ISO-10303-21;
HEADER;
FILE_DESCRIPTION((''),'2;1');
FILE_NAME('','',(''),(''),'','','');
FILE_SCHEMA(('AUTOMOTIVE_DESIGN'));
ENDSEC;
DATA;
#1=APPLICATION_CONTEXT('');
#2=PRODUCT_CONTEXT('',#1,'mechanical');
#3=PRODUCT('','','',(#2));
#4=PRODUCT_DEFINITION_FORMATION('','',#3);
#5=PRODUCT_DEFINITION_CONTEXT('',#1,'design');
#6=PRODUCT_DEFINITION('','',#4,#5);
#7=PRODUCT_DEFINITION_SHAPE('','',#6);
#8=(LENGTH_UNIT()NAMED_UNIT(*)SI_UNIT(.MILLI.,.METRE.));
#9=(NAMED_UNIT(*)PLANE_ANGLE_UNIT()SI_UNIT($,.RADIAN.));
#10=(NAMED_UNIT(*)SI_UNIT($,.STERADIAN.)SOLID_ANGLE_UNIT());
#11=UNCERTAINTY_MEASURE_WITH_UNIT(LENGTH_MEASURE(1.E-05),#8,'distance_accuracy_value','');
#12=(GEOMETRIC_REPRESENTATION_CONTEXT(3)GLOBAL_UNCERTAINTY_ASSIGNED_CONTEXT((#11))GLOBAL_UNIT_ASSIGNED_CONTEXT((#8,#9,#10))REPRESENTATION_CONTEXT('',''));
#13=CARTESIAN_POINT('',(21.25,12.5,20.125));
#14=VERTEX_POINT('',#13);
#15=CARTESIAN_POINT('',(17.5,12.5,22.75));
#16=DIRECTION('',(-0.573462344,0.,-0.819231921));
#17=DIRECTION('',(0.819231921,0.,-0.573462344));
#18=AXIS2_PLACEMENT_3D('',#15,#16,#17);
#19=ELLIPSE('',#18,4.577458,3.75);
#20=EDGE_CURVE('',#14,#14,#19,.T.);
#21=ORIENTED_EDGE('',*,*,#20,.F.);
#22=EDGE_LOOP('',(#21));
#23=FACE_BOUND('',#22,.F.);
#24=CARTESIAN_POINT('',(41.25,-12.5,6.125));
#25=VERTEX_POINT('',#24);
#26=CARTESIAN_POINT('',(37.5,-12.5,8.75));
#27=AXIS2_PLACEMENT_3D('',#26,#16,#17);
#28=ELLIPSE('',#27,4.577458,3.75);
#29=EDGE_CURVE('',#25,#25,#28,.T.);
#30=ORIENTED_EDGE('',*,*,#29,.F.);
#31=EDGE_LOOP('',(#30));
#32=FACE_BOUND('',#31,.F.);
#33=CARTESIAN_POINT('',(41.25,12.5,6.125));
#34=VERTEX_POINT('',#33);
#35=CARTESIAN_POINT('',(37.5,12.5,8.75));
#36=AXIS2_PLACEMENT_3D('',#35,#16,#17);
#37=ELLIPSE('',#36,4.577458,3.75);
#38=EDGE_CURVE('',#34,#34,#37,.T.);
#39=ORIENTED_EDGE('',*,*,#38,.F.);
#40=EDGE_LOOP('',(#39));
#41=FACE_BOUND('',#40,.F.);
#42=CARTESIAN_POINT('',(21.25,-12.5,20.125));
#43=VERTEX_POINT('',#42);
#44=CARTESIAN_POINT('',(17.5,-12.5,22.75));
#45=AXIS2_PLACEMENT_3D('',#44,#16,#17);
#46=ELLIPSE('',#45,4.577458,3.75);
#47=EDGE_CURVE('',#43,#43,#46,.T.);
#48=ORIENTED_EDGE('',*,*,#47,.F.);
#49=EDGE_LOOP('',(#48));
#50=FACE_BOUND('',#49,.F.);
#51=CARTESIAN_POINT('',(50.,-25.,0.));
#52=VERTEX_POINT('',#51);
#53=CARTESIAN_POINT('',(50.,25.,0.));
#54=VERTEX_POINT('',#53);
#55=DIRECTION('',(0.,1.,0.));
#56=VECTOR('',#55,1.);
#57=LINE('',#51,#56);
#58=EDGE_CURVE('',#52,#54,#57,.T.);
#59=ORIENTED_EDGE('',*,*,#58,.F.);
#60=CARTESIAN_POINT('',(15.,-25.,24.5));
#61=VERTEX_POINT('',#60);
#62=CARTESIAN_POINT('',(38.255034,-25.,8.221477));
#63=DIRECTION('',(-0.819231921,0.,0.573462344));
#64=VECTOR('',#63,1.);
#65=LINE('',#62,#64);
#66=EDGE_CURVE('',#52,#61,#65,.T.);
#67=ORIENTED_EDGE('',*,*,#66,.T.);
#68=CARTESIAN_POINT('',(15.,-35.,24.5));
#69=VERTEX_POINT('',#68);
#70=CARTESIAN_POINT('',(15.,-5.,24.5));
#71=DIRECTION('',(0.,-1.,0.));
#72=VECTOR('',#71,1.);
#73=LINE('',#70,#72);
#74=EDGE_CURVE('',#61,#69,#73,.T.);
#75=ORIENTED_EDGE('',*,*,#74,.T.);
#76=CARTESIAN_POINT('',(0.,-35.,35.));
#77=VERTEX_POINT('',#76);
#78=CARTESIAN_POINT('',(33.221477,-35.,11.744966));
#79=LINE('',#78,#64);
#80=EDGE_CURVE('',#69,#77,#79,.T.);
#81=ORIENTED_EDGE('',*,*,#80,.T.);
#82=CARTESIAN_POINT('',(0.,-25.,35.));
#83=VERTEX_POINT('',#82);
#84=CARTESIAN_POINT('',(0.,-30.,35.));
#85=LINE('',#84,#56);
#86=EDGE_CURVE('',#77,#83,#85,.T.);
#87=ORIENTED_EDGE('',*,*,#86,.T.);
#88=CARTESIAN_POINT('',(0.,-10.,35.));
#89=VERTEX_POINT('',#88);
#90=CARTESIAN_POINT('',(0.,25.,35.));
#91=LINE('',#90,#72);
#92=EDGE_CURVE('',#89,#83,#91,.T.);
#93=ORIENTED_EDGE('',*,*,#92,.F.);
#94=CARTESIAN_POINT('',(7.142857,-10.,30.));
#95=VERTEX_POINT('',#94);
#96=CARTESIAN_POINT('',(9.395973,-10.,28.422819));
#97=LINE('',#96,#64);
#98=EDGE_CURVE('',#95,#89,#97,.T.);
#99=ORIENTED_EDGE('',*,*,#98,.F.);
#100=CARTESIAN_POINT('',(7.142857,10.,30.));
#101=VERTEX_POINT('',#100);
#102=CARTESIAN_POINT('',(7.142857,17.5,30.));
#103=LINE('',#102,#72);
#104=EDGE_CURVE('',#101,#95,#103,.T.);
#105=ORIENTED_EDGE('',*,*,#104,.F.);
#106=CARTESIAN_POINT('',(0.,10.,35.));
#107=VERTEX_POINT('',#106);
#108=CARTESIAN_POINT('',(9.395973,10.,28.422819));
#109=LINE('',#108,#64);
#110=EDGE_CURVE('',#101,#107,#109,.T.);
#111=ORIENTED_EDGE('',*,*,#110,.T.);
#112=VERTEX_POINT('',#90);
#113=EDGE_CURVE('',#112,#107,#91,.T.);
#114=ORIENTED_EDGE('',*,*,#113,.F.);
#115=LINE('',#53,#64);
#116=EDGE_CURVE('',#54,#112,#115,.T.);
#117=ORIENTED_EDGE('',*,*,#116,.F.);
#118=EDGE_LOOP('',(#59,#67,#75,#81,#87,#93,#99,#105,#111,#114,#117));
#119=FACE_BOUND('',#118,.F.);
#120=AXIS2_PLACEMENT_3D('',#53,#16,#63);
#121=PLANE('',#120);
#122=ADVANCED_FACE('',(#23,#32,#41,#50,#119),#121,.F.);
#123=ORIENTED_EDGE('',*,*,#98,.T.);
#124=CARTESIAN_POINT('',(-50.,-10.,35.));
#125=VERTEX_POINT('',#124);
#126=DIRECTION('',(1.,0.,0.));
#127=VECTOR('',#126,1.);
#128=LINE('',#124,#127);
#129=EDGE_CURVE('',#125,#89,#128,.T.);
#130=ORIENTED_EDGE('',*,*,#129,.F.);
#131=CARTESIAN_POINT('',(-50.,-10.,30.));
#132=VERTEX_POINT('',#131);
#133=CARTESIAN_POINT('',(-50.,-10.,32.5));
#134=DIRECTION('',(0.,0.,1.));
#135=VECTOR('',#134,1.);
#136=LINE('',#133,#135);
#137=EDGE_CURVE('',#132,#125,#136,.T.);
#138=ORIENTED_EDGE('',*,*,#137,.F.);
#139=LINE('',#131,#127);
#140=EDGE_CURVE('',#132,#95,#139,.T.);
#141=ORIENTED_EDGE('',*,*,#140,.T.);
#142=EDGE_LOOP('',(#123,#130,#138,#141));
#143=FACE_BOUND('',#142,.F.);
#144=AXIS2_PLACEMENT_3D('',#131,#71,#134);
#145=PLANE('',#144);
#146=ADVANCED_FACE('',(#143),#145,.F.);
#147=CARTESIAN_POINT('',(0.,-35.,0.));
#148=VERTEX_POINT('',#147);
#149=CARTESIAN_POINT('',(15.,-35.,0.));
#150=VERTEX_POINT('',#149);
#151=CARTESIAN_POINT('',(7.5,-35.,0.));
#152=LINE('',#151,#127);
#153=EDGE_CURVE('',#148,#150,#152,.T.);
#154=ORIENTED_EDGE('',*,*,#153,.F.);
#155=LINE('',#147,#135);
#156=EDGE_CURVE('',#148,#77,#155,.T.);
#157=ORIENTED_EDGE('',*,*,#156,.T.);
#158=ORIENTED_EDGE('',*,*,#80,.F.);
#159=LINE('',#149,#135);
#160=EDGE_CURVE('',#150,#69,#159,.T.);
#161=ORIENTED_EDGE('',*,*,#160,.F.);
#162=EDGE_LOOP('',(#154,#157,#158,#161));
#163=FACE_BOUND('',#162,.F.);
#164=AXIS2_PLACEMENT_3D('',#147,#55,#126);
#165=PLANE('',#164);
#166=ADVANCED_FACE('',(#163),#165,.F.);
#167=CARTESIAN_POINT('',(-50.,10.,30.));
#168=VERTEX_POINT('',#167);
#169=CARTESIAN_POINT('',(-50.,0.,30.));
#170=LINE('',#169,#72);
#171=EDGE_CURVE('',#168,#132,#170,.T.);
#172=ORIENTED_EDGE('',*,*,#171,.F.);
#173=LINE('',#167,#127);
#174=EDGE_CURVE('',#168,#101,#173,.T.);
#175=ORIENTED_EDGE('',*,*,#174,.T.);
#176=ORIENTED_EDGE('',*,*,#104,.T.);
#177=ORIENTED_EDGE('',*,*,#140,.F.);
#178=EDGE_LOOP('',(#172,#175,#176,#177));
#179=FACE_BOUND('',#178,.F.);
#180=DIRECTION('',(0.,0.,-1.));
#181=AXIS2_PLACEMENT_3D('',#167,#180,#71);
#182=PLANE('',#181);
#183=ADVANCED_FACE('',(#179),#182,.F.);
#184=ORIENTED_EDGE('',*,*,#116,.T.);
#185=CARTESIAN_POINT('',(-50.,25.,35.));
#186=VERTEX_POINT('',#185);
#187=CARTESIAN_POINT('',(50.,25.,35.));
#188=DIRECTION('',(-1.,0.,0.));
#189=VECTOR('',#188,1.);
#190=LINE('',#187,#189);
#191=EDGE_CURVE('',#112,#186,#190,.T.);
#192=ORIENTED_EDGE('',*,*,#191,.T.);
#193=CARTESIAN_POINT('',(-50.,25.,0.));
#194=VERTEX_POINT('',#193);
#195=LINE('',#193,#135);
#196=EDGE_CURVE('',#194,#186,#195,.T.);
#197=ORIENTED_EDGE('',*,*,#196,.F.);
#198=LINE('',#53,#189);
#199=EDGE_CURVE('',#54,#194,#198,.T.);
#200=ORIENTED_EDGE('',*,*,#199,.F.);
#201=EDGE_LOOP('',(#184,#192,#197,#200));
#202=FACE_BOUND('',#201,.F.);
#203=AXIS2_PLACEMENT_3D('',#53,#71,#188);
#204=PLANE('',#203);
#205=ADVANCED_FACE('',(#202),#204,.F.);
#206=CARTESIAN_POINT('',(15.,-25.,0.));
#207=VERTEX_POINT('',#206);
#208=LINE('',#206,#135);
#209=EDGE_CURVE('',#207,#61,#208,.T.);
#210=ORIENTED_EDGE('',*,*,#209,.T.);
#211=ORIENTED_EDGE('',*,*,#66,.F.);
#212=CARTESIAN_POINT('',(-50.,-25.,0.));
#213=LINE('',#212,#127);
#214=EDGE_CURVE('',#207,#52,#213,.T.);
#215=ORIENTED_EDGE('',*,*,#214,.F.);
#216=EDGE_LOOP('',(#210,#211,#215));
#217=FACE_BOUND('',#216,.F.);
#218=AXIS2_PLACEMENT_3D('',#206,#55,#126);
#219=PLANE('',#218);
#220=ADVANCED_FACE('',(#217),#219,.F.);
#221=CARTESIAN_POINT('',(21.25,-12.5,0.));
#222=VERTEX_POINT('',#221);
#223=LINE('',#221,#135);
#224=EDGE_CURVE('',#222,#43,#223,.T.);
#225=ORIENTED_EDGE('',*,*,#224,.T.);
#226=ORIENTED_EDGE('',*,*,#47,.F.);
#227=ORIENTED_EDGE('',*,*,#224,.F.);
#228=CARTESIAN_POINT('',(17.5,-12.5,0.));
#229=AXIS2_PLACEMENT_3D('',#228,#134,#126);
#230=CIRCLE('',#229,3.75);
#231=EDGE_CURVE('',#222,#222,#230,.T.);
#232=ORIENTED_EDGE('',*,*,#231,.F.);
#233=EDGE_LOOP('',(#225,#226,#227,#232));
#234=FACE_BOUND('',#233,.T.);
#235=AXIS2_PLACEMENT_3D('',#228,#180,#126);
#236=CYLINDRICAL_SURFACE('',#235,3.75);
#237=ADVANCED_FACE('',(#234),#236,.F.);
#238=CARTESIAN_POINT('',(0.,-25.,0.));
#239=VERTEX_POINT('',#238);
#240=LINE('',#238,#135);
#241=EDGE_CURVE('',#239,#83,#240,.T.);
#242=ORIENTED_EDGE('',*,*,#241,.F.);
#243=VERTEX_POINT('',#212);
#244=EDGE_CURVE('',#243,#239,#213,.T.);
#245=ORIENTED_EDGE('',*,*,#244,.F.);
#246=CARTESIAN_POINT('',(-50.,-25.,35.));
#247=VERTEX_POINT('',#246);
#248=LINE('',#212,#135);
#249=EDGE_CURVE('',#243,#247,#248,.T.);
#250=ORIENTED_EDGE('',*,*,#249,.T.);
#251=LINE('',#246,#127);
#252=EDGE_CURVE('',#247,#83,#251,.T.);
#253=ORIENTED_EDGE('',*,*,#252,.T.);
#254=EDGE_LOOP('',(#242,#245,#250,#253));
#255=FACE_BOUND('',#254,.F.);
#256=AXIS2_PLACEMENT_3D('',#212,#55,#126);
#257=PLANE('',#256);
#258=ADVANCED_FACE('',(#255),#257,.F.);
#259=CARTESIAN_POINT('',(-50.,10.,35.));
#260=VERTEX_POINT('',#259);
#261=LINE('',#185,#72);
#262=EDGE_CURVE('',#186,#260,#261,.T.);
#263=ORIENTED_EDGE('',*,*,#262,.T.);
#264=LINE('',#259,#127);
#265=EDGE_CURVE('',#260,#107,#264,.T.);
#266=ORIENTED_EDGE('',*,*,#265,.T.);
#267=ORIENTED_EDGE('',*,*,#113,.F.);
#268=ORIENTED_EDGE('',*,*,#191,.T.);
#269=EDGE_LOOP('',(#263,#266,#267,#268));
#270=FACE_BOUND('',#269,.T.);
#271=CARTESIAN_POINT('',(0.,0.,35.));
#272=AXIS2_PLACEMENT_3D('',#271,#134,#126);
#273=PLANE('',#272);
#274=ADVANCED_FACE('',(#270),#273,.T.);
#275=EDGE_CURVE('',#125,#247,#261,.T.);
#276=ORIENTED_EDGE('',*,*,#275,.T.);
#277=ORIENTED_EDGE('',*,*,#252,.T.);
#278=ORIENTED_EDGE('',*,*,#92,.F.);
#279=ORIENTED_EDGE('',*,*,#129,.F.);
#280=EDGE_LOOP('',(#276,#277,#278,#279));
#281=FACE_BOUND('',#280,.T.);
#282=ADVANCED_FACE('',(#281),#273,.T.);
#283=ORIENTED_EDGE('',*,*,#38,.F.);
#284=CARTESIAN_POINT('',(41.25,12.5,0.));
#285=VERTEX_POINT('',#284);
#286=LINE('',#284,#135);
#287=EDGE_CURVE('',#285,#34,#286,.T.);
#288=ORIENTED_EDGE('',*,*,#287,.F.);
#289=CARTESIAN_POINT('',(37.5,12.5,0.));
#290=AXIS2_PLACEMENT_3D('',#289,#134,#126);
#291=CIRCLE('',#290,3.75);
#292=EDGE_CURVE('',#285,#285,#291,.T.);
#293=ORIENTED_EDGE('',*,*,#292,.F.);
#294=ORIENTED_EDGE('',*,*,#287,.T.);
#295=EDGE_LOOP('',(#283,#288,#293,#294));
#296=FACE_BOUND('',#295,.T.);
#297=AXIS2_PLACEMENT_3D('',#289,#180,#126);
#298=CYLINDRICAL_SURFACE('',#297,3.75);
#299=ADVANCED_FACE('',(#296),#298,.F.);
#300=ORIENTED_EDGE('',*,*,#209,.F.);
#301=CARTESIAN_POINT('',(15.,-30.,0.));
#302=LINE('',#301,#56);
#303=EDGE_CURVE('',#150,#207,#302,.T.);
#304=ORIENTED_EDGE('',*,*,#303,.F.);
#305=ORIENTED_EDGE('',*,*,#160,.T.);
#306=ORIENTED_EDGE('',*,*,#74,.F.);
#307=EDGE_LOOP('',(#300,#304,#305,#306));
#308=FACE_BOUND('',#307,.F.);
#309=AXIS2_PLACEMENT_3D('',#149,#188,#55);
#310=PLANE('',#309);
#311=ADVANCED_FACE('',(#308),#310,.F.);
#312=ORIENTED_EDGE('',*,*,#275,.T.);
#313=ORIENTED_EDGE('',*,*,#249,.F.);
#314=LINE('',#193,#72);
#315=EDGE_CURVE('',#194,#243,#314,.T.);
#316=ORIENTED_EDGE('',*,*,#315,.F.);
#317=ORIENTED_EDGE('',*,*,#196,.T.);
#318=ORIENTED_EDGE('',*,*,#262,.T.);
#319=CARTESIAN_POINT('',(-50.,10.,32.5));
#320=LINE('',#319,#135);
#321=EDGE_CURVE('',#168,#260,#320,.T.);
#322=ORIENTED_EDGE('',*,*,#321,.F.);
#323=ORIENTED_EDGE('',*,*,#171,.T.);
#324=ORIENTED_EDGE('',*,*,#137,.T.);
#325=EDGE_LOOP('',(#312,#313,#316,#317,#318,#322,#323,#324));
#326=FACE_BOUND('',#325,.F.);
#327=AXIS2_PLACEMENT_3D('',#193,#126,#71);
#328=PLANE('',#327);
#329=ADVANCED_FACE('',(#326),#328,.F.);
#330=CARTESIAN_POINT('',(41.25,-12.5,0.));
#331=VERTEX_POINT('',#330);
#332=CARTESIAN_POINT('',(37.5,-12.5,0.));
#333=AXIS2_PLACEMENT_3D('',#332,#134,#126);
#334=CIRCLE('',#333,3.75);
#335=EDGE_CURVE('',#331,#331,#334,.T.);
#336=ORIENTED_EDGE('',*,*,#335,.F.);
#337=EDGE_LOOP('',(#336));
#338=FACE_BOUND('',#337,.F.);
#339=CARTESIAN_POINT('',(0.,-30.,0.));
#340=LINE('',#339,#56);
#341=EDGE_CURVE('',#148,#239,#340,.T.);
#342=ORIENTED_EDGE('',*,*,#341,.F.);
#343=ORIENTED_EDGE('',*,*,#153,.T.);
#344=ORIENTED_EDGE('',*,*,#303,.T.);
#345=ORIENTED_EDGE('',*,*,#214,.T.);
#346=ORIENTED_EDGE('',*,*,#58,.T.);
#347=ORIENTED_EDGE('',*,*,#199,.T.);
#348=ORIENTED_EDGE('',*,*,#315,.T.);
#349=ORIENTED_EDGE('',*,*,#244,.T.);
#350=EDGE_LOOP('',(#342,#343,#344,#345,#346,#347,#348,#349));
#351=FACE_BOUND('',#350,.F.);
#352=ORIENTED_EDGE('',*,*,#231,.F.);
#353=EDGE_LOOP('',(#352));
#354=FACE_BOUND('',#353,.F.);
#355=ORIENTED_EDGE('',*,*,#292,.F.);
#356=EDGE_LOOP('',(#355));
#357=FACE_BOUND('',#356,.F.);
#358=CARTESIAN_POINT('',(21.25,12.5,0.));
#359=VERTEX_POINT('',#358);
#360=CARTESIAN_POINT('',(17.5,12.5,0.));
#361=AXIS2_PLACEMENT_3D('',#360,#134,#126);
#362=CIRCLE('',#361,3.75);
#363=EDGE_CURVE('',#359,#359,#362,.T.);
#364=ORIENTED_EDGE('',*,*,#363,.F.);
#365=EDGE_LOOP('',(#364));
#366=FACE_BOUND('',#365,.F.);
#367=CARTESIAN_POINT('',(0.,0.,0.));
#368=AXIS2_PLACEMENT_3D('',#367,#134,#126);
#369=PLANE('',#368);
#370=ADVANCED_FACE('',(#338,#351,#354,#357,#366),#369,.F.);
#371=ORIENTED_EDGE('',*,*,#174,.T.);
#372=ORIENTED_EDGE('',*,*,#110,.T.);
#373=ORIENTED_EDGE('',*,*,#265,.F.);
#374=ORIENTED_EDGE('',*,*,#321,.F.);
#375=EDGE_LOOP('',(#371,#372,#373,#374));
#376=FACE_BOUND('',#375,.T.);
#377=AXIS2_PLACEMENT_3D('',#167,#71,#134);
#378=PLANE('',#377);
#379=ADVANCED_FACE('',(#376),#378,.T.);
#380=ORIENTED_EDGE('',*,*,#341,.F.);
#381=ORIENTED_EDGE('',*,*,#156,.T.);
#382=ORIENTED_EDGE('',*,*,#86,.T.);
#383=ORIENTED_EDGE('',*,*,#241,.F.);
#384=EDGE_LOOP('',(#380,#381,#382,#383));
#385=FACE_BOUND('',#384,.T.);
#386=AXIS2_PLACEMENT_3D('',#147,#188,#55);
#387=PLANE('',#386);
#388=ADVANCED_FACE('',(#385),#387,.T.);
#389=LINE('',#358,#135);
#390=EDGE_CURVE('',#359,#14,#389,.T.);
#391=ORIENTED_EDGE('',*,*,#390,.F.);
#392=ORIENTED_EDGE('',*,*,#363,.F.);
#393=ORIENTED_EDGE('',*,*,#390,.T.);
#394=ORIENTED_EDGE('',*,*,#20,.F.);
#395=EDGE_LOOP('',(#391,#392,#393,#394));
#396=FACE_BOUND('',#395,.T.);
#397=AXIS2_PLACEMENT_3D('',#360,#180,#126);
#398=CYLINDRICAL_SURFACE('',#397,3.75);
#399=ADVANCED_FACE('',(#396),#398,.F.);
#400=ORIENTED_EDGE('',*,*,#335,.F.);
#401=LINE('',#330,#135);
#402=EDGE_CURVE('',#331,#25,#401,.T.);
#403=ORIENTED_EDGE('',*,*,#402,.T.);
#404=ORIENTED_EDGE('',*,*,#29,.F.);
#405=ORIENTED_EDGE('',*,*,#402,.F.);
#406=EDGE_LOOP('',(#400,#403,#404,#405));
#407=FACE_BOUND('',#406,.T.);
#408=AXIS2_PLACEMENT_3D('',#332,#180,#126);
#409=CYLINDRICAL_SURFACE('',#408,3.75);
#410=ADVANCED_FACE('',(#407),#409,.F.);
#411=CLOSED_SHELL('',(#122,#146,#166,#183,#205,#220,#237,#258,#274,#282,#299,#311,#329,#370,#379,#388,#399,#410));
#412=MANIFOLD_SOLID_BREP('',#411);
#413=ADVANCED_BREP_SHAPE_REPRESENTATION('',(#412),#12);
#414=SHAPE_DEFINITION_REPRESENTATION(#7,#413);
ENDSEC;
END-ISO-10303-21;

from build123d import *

# Parameters (mm, degrees)
F0_R     = 3.75
F0_W     = 15
F0_H     = 10
F1_DEPTH = 35
F3_DEPTH = 60.001
F4_W     = 20
F4_H     = 5
F5_DEPTH = 100.001


with BuildPart() as f1:
    # F0 (on Top) → F1 (new body)
    with BuildSketch(Plane.XY):
        Polygon((50, 25), (-50, 25), (-50, -25), (0, -25), (15, -25), (50, -25), align=None)
        with Locations((17.5, -12.5)):
            Circle(F0_R, mode=Mode.SUBTRACT)
        with Locations((37.5, -12.5)):
            Circle(F0_R, mode=Mode.SUBTRACT)
        with Locations((17.5, 12.5)):
            Circle(F0_R, mode=Mode.SUBTRACT)
        with Locations((37.5, 12.5)):
            Circle(F0_R, mode=Mode.SUBTRACT)
        with Locations((7.5, -30)):
            Rectangle(F0_W, F0_H)
    extrude(amount=F1_DEPTH)

    # F2 (on face) → F3 (cut, through all)
    with BuildSketch(Plane(origin=(0, 25, 0), x_dir=(-1, 0, 0), z_dir=(0, 1, 0))):
        Polygon((-50, 35), (-50, 0), (0, 35), align=None)
    extrude(amount=-F3_DEPTH, mode=Mode.SUBTRACT)

    # F4 (on face) → F5 (cut, through all)
    with BuildSketch(Plane(origin=(-50, 0, 0), x_dir=(0, -1, 0), z_dir=(-1, 0, 0))):
        with Locations((0, 32.5)):
            Rectangle(F4_W, F4_H)
    extrude(amount=-F5_DEPTH, mode=Mode.SUBTRACT)


solid = f1.part
